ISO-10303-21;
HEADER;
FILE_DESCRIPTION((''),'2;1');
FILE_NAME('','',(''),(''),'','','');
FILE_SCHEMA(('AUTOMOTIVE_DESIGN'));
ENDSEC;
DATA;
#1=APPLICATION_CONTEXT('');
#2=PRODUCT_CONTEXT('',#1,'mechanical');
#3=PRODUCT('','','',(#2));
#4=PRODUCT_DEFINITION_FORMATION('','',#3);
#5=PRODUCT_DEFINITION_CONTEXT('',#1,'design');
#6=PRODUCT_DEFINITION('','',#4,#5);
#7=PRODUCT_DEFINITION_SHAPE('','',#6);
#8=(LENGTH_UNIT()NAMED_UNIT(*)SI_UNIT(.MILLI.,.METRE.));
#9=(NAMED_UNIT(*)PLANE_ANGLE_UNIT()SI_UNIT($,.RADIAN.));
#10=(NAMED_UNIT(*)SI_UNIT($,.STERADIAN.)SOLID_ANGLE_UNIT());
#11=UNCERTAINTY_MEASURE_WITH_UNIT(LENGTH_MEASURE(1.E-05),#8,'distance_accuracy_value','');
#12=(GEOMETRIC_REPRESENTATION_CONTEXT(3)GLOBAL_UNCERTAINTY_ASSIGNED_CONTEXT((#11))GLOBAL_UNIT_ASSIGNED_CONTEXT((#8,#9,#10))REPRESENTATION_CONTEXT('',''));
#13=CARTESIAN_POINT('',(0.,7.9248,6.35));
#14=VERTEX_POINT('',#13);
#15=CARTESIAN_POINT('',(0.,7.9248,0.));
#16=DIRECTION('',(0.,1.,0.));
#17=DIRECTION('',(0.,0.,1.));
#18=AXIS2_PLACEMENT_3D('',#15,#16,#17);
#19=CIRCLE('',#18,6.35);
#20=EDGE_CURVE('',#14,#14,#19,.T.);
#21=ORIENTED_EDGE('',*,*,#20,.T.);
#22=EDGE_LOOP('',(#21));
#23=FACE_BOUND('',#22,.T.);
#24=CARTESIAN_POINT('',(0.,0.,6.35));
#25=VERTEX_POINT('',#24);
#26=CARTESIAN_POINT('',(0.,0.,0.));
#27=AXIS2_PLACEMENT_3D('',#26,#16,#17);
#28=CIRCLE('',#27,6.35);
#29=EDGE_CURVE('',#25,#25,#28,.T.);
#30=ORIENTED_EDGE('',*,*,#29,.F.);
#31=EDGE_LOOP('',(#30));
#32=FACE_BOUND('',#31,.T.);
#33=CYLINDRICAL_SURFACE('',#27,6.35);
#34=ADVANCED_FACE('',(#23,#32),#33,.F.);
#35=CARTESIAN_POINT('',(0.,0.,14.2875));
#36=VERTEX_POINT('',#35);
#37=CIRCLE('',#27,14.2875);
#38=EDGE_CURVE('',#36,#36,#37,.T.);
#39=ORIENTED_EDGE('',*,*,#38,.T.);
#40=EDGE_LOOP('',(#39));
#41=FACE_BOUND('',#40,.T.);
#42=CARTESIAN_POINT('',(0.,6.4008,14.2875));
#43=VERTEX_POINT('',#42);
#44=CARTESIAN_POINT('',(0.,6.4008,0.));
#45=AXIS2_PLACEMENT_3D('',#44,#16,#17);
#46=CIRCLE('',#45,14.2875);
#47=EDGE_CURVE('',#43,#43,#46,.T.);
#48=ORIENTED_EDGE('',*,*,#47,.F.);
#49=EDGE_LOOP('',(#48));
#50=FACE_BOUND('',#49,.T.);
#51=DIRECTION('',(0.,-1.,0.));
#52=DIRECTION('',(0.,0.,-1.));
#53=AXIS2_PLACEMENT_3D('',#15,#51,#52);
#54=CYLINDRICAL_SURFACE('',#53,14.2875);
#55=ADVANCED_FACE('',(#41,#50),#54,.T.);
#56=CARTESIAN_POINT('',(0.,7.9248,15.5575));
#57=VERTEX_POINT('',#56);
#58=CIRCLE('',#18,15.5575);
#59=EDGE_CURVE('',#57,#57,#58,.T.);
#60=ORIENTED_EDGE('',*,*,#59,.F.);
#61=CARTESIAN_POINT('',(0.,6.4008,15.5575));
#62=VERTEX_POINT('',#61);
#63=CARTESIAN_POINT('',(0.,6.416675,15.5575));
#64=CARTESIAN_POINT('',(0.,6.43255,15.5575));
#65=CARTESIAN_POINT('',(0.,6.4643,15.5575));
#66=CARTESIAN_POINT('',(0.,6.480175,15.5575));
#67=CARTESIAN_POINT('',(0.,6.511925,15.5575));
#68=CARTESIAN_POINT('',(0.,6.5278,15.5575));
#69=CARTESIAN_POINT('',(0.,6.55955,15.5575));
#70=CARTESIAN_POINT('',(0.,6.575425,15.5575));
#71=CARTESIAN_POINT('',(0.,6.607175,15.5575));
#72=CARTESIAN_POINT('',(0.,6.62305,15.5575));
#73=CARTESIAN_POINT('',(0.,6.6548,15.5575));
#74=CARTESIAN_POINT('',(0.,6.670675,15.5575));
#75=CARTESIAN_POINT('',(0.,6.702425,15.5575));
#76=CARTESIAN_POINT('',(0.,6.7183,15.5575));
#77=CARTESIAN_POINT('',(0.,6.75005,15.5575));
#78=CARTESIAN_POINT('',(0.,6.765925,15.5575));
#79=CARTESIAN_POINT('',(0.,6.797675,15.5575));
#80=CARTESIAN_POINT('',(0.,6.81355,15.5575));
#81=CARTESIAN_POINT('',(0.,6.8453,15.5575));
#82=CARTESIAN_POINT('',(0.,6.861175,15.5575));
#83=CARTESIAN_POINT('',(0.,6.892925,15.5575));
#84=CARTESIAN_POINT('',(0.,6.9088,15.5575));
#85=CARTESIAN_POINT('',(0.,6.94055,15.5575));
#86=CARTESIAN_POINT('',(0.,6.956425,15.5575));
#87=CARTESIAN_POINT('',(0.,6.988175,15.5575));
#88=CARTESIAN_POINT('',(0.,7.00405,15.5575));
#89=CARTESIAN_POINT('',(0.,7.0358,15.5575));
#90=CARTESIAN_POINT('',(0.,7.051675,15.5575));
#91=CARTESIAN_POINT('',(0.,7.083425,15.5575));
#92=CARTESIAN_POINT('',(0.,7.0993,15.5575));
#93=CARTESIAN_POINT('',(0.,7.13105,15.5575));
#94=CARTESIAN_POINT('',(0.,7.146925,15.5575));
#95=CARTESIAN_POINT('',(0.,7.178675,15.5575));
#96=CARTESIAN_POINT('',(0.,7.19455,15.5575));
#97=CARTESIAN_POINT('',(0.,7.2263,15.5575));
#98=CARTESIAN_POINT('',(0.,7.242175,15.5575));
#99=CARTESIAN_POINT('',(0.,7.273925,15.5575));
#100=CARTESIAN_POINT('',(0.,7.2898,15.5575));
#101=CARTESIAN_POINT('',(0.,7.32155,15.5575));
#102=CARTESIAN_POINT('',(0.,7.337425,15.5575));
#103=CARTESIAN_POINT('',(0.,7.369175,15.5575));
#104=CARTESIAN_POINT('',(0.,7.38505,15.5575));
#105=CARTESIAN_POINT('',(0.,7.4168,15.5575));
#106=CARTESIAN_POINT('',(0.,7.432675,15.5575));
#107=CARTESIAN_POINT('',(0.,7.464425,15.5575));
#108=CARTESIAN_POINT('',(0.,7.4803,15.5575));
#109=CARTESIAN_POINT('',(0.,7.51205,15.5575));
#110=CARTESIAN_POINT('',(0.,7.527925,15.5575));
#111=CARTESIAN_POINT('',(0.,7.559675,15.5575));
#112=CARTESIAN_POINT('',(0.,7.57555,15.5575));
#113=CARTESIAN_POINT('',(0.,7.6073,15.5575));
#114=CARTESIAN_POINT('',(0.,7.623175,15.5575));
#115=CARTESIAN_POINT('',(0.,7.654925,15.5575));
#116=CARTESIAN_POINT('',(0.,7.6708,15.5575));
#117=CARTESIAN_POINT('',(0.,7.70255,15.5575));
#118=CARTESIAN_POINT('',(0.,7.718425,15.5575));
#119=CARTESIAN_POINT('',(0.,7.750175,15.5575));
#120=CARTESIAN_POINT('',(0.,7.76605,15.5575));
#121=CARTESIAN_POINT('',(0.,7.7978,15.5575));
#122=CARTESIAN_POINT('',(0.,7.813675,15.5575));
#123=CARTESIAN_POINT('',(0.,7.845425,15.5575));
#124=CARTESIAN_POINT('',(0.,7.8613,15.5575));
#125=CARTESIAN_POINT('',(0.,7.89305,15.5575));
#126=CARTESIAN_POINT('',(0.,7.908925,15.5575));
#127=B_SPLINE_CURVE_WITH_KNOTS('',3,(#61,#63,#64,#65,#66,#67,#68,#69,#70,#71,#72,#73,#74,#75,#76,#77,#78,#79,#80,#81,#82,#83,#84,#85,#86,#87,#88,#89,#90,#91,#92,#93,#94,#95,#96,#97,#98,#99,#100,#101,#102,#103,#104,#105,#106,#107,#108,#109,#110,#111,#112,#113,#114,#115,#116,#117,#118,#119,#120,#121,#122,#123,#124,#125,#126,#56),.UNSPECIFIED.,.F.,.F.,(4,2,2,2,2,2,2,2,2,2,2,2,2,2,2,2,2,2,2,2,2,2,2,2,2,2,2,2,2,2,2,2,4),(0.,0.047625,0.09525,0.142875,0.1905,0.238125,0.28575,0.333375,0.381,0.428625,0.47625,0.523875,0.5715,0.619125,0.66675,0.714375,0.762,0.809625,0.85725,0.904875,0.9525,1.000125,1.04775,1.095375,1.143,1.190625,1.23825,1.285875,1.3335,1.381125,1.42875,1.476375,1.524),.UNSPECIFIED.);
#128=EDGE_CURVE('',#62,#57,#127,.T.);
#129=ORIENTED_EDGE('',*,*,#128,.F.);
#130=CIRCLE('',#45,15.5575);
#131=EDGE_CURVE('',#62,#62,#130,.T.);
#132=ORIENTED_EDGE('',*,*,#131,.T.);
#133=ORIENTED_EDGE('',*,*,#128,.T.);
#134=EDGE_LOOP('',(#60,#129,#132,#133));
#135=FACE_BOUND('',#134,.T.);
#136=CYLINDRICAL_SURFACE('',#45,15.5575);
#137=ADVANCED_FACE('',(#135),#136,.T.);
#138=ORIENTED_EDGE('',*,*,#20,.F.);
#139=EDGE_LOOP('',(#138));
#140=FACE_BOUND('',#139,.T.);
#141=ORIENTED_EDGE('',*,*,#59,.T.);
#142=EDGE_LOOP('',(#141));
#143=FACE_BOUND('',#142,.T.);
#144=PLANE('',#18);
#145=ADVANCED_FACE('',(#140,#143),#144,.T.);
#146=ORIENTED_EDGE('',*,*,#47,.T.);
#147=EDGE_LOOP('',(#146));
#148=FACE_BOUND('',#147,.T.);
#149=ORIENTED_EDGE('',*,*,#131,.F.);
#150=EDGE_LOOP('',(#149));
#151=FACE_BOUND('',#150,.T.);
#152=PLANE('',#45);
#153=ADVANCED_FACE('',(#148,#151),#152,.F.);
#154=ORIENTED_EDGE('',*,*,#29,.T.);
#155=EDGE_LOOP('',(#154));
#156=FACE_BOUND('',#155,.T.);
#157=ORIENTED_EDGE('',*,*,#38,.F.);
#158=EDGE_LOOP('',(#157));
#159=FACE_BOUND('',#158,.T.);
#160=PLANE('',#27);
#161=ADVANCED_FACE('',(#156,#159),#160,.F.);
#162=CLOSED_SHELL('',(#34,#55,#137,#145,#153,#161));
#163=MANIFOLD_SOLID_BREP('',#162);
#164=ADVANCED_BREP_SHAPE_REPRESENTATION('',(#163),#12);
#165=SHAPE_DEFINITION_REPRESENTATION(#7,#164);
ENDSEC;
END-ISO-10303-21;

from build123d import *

# Parameters (mm, degrees)
SKETCH1_R           = 14.2875
BOSS_EXTRUDE1_DEPTH = 7.9248
SKETCH2_R           = 15.5575
BOSS_EXTRUDE2_DEPTH = 1.524
SKETCH3_R           = 6.35
CUT_EXTRUDE1_DEPTH  = 24.38533873


with BuildPart() as part:
    # Sketch1 → Boss-Extrude1 (new body)
    with BuildSketch(Plane(origin=(0, 0, 0), x_dir=(1, 0, 0), z_dir=(0, 1, 0))):
        with Locations(Location((0, 0, 0), (0, 0, 270))):
            Circle(SKETCH1_R)
    extrude(amount=BOSS_EXTRUDE1_DEPTH)

    # Sketch2 → Boss-Extrude2 (add)
    with BuildSketch(Plane(origin=(0, 7.9248, 0), x_dir=(1, 0, 0), z_dir=(0, 1, 0))):
        with Locations(Location((0, 0, 0), (0, 0, 270))):
            Circle(SKETCH2_R)
    extrude(amount=-BOSS_EXTRUDE2_DEPTH)

    # Sketch3 → Cut-Extrude1 (cut, through all)
    with BuildSketch(Plane(origin=(0, 7.9248, 0), x_dir=(1, 0, 0), z_dir=(0, 1, 0))):
        with Locations(Location((0, 0, 0), (0, 0, 270))):
            Circle(SKETCH3_R)
    extrude(amount=-CUT_EXTRUDE1_DEPTH, mode=Mode.SUBTRACT)


solid = part.part
